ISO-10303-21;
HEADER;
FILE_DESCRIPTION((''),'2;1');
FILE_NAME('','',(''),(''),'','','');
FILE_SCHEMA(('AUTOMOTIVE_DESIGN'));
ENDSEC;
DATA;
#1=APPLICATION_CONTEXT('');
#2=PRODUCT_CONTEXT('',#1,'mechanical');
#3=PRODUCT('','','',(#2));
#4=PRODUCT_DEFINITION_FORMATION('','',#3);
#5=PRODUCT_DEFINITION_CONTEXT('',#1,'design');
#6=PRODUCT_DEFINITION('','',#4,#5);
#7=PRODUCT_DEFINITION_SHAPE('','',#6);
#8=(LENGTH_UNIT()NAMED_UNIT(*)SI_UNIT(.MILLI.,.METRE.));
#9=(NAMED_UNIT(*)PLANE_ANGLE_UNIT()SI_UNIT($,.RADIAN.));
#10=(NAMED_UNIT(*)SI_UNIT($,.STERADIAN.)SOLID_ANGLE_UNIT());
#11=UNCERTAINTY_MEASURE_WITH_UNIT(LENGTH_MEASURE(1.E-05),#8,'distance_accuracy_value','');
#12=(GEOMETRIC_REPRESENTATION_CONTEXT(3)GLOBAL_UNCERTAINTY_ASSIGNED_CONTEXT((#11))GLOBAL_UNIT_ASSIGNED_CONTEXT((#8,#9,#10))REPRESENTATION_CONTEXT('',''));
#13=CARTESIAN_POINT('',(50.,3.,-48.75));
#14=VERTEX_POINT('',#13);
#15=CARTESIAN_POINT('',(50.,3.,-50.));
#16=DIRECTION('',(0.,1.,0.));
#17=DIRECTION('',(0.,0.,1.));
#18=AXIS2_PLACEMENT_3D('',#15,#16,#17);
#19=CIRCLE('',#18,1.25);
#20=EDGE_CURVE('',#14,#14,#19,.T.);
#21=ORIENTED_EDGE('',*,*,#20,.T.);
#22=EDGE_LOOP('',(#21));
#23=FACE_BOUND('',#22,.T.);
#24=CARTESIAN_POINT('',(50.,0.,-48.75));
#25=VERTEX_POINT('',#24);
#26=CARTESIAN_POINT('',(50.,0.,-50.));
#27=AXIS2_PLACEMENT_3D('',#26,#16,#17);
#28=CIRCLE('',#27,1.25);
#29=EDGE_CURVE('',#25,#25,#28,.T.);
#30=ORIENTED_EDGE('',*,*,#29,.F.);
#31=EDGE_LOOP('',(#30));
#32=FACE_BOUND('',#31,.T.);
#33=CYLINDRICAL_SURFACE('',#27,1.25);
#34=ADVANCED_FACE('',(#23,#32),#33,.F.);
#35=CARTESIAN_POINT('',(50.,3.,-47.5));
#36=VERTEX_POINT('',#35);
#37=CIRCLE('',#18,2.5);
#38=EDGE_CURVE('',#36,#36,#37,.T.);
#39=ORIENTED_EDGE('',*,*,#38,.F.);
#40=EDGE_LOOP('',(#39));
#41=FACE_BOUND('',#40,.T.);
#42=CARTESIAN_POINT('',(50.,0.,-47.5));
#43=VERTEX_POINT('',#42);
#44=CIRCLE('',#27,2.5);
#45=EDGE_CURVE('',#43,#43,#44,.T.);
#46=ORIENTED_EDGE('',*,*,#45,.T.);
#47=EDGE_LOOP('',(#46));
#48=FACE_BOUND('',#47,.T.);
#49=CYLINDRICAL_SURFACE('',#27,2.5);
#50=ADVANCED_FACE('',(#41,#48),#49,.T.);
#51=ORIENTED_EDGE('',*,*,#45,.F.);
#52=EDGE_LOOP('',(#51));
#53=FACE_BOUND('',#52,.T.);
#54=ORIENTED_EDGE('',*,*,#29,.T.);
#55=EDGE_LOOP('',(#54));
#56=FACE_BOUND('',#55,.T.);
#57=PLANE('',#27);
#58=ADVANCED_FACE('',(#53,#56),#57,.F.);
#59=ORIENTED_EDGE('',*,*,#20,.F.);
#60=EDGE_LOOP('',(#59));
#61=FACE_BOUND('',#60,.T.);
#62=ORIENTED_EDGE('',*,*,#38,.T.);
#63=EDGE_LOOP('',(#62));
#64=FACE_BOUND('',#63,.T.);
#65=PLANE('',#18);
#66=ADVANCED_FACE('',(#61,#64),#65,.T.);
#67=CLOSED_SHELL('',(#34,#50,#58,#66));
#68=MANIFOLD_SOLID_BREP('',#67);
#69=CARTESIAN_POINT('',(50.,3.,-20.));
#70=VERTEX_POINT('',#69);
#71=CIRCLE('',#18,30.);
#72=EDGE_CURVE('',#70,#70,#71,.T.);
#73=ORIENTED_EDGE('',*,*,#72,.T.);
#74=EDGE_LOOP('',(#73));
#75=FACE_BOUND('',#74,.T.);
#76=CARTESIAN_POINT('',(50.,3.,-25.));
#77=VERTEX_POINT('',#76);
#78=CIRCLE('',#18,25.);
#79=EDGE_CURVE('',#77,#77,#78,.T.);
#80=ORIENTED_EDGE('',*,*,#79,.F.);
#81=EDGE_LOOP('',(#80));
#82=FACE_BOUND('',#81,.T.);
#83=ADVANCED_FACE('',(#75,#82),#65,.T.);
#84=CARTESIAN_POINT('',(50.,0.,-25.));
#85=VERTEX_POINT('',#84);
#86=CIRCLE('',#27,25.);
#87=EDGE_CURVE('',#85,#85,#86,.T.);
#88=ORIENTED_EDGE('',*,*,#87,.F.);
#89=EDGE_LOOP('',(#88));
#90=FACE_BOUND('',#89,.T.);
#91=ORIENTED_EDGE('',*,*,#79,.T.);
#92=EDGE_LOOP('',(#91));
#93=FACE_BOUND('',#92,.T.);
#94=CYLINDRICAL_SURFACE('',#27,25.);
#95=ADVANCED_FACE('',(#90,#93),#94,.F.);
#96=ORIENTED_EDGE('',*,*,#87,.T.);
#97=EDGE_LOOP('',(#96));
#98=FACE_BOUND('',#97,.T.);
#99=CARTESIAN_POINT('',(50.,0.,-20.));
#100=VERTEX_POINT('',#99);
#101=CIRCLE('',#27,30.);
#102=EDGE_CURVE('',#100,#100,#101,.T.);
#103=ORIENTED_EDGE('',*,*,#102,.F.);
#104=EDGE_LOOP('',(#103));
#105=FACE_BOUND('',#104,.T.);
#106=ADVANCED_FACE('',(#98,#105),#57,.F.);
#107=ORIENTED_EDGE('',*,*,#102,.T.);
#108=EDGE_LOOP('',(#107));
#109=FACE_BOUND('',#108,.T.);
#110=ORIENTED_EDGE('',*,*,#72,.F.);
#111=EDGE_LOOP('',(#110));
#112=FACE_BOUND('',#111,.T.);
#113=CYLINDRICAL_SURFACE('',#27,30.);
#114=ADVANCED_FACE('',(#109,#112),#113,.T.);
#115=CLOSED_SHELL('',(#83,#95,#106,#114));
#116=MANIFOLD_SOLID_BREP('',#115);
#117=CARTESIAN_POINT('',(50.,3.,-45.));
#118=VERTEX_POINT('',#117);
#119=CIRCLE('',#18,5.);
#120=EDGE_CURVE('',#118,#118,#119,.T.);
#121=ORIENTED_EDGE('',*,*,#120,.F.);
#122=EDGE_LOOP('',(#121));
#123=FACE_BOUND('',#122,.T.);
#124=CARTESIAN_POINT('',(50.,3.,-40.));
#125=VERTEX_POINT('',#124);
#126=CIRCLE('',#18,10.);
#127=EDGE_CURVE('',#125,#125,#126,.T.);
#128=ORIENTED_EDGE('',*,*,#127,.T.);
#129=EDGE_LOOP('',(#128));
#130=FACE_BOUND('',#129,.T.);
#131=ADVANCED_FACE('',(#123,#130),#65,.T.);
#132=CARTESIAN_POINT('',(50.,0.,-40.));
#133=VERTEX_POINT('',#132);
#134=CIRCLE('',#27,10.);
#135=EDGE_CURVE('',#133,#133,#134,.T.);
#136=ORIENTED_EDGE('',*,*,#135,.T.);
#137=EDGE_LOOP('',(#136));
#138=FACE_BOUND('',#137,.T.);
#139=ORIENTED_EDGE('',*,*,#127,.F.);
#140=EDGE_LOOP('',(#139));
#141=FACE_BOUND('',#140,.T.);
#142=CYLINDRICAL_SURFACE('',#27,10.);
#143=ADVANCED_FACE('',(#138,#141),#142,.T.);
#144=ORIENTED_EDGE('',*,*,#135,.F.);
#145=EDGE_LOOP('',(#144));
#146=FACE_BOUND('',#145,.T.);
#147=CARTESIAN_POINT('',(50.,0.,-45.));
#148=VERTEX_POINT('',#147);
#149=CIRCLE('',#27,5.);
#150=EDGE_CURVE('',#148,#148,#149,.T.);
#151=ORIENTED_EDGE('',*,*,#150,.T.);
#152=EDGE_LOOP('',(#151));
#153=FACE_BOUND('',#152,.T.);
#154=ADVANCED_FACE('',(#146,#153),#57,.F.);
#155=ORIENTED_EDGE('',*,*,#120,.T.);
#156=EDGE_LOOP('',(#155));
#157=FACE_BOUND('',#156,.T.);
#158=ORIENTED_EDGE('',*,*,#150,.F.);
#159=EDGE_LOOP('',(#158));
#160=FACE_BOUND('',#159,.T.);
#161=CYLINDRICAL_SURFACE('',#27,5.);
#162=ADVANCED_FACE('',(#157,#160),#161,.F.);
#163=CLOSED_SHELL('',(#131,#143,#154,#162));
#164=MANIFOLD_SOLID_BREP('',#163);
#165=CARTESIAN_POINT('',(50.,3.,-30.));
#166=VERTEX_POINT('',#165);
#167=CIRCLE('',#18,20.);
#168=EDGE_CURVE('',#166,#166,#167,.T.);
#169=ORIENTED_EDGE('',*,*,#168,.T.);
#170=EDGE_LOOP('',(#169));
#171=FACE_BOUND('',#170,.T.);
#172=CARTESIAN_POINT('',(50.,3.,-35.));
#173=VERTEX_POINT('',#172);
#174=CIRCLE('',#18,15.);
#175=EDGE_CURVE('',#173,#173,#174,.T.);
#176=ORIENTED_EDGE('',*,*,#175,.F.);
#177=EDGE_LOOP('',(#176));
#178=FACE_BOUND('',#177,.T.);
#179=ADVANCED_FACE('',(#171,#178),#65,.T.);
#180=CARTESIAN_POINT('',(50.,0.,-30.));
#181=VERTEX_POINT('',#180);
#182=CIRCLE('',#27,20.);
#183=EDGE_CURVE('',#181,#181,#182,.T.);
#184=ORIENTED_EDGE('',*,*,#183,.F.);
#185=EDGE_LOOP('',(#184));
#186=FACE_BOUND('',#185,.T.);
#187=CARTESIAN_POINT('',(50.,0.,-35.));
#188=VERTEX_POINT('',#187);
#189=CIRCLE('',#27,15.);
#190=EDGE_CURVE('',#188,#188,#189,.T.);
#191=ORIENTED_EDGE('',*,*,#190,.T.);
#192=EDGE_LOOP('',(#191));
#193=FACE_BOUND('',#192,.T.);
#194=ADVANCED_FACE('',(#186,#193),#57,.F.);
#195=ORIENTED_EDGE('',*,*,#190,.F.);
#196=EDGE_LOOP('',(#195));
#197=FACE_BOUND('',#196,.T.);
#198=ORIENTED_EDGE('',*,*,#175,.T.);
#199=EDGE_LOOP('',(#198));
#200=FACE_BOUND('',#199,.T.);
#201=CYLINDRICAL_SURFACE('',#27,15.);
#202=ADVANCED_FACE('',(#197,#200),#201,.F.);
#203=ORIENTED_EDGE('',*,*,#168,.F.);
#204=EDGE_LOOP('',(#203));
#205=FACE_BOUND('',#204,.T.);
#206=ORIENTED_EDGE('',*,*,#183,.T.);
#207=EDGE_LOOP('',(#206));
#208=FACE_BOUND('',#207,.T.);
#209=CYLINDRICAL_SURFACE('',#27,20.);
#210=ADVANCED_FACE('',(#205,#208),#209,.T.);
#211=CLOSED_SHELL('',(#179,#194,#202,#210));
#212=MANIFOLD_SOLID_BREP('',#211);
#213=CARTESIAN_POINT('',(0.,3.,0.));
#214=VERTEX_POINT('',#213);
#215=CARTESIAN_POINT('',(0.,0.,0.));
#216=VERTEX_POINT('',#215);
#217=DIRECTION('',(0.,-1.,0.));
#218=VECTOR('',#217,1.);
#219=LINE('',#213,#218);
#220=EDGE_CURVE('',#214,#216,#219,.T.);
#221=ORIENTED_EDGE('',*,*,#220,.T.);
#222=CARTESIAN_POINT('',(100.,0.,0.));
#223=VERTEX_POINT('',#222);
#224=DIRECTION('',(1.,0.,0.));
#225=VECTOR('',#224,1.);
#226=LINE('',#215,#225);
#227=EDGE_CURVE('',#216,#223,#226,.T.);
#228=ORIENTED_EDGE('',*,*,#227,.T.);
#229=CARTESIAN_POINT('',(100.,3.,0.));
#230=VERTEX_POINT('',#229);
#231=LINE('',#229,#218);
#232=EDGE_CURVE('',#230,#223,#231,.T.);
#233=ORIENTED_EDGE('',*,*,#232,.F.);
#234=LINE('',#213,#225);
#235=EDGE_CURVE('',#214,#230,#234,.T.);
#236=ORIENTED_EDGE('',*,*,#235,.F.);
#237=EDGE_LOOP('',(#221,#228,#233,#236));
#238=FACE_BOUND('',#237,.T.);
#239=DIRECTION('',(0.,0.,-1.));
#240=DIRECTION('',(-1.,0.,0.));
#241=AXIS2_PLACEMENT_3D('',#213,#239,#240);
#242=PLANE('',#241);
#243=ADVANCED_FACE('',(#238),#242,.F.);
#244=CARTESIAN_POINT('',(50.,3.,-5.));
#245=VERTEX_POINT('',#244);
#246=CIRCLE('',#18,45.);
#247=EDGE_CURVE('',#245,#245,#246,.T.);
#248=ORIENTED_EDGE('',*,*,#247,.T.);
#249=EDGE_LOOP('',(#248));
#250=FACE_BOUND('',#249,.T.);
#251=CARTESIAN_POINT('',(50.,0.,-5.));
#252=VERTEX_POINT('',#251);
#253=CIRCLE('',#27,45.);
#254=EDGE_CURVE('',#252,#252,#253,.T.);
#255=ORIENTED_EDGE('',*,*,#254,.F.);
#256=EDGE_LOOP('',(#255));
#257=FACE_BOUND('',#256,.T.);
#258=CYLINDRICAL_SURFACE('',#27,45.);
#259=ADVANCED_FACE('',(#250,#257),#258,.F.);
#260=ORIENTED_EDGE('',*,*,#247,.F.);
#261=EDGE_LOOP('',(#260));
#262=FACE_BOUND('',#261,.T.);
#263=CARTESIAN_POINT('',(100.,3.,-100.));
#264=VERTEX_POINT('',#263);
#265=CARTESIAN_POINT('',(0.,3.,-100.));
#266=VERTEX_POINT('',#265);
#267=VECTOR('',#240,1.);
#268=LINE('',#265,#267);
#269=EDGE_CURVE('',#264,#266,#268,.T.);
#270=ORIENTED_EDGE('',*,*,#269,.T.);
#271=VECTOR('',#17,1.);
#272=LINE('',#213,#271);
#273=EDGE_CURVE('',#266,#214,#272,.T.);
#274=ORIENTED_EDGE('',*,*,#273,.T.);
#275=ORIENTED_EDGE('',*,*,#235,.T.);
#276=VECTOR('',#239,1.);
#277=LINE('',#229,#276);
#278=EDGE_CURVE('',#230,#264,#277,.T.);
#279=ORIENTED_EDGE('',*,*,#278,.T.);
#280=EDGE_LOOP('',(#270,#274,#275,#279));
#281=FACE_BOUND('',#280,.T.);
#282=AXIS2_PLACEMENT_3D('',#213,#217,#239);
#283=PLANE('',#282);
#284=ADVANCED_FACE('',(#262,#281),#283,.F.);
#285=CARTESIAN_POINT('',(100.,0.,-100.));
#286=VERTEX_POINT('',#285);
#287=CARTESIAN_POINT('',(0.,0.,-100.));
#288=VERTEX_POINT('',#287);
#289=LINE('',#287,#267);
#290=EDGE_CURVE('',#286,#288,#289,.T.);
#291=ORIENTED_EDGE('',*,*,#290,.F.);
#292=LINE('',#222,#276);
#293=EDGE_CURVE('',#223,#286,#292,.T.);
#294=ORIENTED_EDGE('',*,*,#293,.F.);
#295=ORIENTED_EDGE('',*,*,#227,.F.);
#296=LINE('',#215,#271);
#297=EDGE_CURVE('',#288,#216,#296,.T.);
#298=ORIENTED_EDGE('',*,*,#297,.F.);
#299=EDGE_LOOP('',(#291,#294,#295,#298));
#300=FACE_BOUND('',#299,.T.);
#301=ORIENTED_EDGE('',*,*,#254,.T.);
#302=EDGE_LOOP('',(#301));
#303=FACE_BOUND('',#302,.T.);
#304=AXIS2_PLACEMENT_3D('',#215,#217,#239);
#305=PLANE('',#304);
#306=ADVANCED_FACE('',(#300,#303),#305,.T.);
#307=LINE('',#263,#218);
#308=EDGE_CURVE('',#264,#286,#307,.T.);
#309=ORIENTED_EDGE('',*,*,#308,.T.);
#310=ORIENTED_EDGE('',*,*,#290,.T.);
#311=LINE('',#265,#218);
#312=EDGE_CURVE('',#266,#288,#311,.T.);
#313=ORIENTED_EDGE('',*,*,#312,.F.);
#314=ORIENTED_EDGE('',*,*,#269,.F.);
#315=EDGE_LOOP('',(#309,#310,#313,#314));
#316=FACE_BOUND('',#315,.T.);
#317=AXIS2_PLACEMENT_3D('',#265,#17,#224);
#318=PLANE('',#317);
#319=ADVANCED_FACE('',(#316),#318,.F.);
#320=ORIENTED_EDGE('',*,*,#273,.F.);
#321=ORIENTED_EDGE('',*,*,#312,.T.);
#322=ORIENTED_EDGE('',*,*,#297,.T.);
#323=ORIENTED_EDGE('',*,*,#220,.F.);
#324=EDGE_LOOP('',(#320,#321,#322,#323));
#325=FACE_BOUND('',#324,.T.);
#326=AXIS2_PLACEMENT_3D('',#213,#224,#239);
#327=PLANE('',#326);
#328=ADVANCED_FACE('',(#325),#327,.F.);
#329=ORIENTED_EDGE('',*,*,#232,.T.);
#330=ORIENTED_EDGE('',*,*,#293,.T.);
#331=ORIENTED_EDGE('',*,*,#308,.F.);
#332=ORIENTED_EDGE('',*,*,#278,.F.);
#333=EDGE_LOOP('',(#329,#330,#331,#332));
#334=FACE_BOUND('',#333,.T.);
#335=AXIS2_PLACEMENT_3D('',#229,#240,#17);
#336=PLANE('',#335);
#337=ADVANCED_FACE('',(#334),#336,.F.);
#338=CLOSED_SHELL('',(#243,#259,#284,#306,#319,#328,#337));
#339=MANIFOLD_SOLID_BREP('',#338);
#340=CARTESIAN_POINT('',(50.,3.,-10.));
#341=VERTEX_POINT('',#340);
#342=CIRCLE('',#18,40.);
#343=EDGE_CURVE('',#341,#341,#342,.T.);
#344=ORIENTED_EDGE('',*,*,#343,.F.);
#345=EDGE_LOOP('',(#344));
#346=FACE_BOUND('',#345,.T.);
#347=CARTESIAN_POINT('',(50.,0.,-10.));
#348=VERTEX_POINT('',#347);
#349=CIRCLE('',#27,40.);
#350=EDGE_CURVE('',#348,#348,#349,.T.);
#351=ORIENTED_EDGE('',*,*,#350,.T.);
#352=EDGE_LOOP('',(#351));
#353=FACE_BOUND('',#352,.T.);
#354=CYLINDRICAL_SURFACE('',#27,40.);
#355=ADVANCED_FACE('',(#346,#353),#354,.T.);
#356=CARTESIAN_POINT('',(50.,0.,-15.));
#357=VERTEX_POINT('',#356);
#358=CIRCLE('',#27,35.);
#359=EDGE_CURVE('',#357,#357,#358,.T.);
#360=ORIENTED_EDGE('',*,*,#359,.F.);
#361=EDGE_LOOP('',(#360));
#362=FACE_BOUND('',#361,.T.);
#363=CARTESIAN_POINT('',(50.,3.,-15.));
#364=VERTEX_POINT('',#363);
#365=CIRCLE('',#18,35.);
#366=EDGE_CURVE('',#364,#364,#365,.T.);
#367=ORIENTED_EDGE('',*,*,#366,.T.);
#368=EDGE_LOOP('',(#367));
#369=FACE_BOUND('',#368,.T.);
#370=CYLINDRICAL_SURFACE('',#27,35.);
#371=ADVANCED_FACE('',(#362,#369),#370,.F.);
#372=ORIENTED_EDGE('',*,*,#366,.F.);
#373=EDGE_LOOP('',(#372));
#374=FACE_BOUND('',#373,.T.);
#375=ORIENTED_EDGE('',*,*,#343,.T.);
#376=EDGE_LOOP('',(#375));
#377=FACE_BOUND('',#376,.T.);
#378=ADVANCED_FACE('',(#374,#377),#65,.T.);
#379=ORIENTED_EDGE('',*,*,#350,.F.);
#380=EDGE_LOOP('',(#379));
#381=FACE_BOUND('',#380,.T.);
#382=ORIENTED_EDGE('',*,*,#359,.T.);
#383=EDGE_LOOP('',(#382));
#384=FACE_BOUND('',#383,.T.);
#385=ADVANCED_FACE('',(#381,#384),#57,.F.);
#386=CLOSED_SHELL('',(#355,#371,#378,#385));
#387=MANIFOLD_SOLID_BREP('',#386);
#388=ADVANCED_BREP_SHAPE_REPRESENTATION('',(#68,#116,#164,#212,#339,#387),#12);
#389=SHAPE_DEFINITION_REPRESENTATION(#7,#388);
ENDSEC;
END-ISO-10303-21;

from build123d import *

# Parameters (mm, degrees)
SKETCH1_W           = 100
SKETCH1_H           = 100
BOSS_EXTRUDE1_DEPTH = 3
SKETCH2_R           = 45
CUT_EXTRUDE1_DEPTH  = 3
SKETCH3_R           = 40
BOSS_EXTRUDE2_DEPTH = 3
SKETCH4_R           = 35
CUT_EXTRUDE2_DEPTH  = 3
SKETCH5_R           = 30
BOSS_EXTRUDE3_DEPTH = 3
SKETCH6_R           = 25
CUT_EXTRUDE3_DEPTH  = 3
SKETCH7_R           = 20
BOSS_EXTRUDE4_DEPTH = 3
SKETCH8_R           = 15
CUT_EXTRUDE4_DEPTH  = 3
SKETCH9_R           = 10
BOSS_EXTRUDE5_DEPTH = 3
SKETCH10_R          = 5
CUT_EXTRUDE5_DEPTH  = 3
SKETCH11_R          = 2.5
BOSS_EXTRUDE6_DEPTH = 3
SKETCH12_R          = 1.25
CUT_EXTRUDE6_DEPTH  = 3


with BuildPart() as part:
    # Sketch1 → Boss-Extrude1 (new body)
    with BuildSketch(Plane(origin=(0, 0, 0), x_dir=(1, 0, 0), z_dir=(0, 1, 0))):
        with Locations((50, 50)):
            Rectangle(SKETCH1_W, SKETCH1_H)
    extrude(amount=BOSS_EXTRUDE1_DEPTH)

    # Sketch2 → Cut-Extrude1 (cut)
    with BuildSketch(Plane(origin=(0, 3, 0), x_dir=(1, 0, 0), z_dir=(0, 1, 0))):
        with Locations(Location((50, 50, 0), (0, 0, 270))):
            Circle(SKETCH2_R)
    extrude(amount=-CUT_EXTRUDE1_DEPTH, mode=Mode.SUBTRACT)


with BuildPart() as body_2:
    # Sketch3 → Boss-Extrude2 (new body)
    with BuildSketch(Plane(origin=(0, 3, 0), x_dir=(1, 0, 0), z_dir=(0, 1, 0))):
        with Locations(Location((50, 50, 0), (0, 0, 270))):
            Circle(SKETCH3_R)
    extrude(amount=-BOSS_EXTRUDE2_DEPTH)

    # Sketch4 → Cut-Extrude2 (cut)
    with BuildSketch(Plane(origin=(0, 3, 0), x_dir=(1, 0, 0), z_dir=(0, 1, 0))):
        with Locations(Location((50, 50, 0), (0, 0, 270))):
            Circle(SKETCH4_R)
    extrude(amount=-CUT_EXTRUDE2_DEPTH, mode=Mode.SUBTRACT)


with BuildPart() as body_3:
    # Sketch5 → Boss-Extrude3 (new body)
    with BuildSketch(Plane(origin=(0, 3, 0), x_dir=(1, 0, 0), z_dir=(0, 1, 0))):
        with Locations(Location((50, 50, 0), (0, 0, 270))):
            Circle(SKETCH5_R)
    extrude(amount=-BOSS_EXTRUDE3_DEPTH)

    # Sketch6 → Cut-Extrude3 (cut)
    with BuildSketch(Plane(origin=(0, 3, 0), x_dir=(1, 0, 0), z_dir=(0, 1, 0))):
        with Locations(Location((50, 50, 0), (0, 0, 270))):
            Circle(SKETCH6_R)
    extrude(amount=-CUT_EXTRUDE3_DEPTH, mode=Mode.SUBTRACT)


with BuildPart() as body_4:
    # Sketch7 → Boss-Extrude4 (new body)
    with BuildSketch(Plane(origin=(0, 3, 0), x_dir=(1, 0, 0), z_dir=(0, 1, 0))):
        with Locations(Location((50, 50, 0), (0, 0, 270))):
            Circle(SKETCH7_R)
    extrude(amount=-BOSS_EXTRUDE4_DEPTH)

    # Sketch8 → Cut-Extrude4 (cut)
    with BuildSketch(Plane(origin=(0, 3, 0), x_dir=(1, 0, 0), z_dir=(0, 1, 0))):
        with Locations(Location((50, 50, 0), (0, 0, 270))):
            Circle(SKETCH8_R)
    extrude(amount=-CUT_EXTRUDE4_DEPTH, mode=Mode.SUBTRACT)


with BuildPart() as body_5:
    # Sketch9 → Boss-Extrude5 (new body)
    with BuildSketch(Plane(origin=(0, 3, 0), x_dir=(1, 0, 0), z_dir=(0, 1, 0))):
        with Locations(Location((50, 50, 0), (0, 0, 270))):
            Circle(SKETCH9_R)
    extrude(amount=-BOSS_EXTRUDE5_DEPTH)

    # Sketch10 → Cut-Extrude5 (cut)
    with BuildSketch(Plane(origin=(0, 3, 0), x_dir=(1, 0, 0), z_dir=(0, 1, 0))):
        with Locations(Location((50, 50, 0), (0, 0, 270))):
            Circle(SKETCH10_R)
    extrude(amount=-CUT_EXTRUDE5_DEPTH, mode=Mode.SUBTRACT)


with BuildPart() as body_6:
    # Sketch11 → Boss-Extrude6 (new body)
    with BuildSketch(Plane(origin=(0, 3, 0), x_dir=(1, 0, 0), z_dir=(0, 1, 0))):
        with Locations(Location((50, 50, 0), (0, 0, 270))):
            Circle(SKETCH11_R)
    extrude(amount=-BOSS_EXTRUDE6_DEPTH)

    # Sketch12 → Cut-Extrude6 (cut)
    with BuildSketch(Plane(origin=(0, 3, 0), x_dir=(1, 0, 0), z_dir=(0, 1, 0))):
        with Locations(Location((50, 50, 0), (0, 0, 270))):
            Circle(SKETCH12_R)
    extrude(amount=-CUT_EXTRUDE6_DEPTH, mode=Mode.SUBTRACT)


solid = Compound([part.part, body_2.part, body_3.part, body_4.part, body_5.part, body_6.part])
